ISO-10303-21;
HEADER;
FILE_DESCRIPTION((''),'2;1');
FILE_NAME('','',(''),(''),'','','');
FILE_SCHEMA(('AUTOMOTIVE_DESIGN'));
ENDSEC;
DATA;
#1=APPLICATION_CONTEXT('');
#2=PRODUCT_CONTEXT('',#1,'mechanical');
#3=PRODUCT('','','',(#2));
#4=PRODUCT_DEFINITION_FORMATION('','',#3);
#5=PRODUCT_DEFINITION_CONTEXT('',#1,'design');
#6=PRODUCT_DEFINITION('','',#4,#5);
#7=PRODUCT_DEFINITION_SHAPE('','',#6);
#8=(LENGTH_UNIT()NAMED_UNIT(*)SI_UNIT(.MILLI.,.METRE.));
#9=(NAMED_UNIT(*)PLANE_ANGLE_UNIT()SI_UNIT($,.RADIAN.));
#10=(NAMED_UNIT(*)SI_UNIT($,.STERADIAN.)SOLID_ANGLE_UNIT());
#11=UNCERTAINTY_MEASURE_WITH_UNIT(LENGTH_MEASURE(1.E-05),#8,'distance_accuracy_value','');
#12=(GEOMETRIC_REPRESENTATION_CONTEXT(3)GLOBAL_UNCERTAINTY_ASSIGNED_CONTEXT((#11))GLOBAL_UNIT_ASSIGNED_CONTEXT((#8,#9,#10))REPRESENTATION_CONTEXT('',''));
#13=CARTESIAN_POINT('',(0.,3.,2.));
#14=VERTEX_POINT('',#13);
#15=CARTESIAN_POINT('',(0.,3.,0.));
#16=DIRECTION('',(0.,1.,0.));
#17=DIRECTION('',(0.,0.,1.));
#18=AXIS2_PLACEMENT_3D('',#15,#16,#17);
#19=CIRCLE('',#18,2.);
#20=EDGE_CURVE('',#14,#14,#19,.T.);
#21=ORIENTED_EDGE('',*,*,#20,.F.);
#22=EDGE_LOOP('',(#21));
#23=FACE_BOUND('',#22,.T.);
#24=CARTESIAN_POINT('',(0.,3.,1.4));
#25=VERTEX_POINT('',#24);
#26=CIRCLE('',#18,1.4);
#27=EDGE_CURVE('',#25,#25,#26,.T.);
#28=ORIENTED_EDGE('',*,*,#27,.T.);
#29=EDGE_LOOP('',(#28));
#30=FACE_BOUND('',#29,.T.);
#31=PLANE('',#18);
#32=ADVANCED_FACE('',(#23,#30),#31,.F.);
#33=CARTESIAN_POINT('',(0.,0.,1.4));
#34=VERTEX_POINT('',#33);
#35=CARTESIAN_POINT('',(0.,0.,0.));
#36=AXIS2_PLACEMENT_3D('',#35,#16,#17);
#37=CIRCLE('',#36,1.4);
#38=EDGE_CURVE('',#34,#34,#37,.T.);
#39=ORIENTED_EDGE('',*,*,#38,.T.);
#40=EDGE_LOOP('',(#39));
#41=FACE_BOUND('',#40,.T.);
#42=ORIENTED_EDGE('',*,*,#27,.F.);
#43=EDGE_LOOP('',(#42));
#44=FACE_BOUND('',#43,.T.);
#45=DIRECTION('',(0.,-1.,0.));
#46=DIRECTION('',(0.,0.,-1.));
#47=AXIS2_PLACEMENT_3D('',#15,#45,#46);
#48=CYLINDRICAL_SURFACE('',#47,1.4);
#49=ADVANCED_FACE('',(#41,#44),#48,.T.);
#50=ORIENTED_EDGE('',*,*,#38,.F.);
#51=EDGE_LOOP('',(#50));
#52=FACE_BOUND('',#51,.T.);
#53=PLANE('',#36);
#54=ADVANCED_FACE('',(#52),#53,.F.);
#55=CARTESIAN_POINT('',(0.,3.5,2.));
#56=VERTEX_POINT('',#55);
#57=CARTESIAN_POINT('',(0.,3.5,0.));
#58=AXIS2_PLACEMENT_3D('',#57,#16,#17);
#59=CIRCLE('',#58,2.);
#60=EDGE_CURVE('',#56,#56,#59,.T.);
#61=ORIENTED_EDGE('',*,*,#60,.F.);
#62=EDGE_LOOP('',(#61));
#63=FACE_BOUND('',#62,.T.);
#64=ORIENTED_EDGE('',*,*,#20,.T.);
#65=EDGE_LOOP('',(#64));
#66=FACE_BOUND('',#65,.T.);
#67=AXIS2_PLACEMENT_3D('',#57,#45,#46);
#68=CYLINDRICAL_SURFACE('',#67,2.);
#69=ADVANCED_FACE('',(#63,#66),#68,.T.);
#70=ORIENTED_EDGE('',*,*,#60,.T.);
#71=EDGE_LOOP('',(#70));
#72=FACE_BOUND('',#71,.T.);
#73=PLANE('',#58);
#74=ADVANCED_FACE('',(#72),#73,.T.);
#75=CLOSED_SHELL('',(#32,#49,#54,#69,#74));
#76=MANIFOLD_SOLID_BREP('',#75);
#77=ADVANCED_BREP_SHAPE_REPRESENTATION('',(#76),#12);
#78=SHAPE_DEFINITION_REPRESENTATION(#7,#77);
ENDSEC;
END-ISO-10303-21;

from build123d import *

# Parameters (mm, degrees)
SKETCH_1_R      = 1.4
EXTRUDE_1_DEPTH = 3
SKETCH_2_R      = 2
EXTRUDE_2_DEPTH = 0.5


with BuildPart() as part:
    # 草图1 → 凸台-拉伸1 (new body)
    with BuildSketch(Plane(origin=(0, 0, 0), x_dir=(1, 0, 0), z_dir=(0, 1, 0))):
        with Locations(Location((0, 0, 0), (0, 0, 270))):
            Circle(SKETCH_1_R)
    extrude(amount=EXTRUDE_1_DEPTH)

    # 草图2 → 凸台-拉伸2 (add)
    with BuildSketch(Plane(origin=(0, 3, 0), x_dir=(1, 0, 0), z_dir=(0, 1, 0))):
        with Locations(Location((0, 0, 0), (0, 0, 270))):
            Circle(SKETCH_2_R)
    extrude(amount=EXTRUDE_2_DEPTH)


solid = part.part
